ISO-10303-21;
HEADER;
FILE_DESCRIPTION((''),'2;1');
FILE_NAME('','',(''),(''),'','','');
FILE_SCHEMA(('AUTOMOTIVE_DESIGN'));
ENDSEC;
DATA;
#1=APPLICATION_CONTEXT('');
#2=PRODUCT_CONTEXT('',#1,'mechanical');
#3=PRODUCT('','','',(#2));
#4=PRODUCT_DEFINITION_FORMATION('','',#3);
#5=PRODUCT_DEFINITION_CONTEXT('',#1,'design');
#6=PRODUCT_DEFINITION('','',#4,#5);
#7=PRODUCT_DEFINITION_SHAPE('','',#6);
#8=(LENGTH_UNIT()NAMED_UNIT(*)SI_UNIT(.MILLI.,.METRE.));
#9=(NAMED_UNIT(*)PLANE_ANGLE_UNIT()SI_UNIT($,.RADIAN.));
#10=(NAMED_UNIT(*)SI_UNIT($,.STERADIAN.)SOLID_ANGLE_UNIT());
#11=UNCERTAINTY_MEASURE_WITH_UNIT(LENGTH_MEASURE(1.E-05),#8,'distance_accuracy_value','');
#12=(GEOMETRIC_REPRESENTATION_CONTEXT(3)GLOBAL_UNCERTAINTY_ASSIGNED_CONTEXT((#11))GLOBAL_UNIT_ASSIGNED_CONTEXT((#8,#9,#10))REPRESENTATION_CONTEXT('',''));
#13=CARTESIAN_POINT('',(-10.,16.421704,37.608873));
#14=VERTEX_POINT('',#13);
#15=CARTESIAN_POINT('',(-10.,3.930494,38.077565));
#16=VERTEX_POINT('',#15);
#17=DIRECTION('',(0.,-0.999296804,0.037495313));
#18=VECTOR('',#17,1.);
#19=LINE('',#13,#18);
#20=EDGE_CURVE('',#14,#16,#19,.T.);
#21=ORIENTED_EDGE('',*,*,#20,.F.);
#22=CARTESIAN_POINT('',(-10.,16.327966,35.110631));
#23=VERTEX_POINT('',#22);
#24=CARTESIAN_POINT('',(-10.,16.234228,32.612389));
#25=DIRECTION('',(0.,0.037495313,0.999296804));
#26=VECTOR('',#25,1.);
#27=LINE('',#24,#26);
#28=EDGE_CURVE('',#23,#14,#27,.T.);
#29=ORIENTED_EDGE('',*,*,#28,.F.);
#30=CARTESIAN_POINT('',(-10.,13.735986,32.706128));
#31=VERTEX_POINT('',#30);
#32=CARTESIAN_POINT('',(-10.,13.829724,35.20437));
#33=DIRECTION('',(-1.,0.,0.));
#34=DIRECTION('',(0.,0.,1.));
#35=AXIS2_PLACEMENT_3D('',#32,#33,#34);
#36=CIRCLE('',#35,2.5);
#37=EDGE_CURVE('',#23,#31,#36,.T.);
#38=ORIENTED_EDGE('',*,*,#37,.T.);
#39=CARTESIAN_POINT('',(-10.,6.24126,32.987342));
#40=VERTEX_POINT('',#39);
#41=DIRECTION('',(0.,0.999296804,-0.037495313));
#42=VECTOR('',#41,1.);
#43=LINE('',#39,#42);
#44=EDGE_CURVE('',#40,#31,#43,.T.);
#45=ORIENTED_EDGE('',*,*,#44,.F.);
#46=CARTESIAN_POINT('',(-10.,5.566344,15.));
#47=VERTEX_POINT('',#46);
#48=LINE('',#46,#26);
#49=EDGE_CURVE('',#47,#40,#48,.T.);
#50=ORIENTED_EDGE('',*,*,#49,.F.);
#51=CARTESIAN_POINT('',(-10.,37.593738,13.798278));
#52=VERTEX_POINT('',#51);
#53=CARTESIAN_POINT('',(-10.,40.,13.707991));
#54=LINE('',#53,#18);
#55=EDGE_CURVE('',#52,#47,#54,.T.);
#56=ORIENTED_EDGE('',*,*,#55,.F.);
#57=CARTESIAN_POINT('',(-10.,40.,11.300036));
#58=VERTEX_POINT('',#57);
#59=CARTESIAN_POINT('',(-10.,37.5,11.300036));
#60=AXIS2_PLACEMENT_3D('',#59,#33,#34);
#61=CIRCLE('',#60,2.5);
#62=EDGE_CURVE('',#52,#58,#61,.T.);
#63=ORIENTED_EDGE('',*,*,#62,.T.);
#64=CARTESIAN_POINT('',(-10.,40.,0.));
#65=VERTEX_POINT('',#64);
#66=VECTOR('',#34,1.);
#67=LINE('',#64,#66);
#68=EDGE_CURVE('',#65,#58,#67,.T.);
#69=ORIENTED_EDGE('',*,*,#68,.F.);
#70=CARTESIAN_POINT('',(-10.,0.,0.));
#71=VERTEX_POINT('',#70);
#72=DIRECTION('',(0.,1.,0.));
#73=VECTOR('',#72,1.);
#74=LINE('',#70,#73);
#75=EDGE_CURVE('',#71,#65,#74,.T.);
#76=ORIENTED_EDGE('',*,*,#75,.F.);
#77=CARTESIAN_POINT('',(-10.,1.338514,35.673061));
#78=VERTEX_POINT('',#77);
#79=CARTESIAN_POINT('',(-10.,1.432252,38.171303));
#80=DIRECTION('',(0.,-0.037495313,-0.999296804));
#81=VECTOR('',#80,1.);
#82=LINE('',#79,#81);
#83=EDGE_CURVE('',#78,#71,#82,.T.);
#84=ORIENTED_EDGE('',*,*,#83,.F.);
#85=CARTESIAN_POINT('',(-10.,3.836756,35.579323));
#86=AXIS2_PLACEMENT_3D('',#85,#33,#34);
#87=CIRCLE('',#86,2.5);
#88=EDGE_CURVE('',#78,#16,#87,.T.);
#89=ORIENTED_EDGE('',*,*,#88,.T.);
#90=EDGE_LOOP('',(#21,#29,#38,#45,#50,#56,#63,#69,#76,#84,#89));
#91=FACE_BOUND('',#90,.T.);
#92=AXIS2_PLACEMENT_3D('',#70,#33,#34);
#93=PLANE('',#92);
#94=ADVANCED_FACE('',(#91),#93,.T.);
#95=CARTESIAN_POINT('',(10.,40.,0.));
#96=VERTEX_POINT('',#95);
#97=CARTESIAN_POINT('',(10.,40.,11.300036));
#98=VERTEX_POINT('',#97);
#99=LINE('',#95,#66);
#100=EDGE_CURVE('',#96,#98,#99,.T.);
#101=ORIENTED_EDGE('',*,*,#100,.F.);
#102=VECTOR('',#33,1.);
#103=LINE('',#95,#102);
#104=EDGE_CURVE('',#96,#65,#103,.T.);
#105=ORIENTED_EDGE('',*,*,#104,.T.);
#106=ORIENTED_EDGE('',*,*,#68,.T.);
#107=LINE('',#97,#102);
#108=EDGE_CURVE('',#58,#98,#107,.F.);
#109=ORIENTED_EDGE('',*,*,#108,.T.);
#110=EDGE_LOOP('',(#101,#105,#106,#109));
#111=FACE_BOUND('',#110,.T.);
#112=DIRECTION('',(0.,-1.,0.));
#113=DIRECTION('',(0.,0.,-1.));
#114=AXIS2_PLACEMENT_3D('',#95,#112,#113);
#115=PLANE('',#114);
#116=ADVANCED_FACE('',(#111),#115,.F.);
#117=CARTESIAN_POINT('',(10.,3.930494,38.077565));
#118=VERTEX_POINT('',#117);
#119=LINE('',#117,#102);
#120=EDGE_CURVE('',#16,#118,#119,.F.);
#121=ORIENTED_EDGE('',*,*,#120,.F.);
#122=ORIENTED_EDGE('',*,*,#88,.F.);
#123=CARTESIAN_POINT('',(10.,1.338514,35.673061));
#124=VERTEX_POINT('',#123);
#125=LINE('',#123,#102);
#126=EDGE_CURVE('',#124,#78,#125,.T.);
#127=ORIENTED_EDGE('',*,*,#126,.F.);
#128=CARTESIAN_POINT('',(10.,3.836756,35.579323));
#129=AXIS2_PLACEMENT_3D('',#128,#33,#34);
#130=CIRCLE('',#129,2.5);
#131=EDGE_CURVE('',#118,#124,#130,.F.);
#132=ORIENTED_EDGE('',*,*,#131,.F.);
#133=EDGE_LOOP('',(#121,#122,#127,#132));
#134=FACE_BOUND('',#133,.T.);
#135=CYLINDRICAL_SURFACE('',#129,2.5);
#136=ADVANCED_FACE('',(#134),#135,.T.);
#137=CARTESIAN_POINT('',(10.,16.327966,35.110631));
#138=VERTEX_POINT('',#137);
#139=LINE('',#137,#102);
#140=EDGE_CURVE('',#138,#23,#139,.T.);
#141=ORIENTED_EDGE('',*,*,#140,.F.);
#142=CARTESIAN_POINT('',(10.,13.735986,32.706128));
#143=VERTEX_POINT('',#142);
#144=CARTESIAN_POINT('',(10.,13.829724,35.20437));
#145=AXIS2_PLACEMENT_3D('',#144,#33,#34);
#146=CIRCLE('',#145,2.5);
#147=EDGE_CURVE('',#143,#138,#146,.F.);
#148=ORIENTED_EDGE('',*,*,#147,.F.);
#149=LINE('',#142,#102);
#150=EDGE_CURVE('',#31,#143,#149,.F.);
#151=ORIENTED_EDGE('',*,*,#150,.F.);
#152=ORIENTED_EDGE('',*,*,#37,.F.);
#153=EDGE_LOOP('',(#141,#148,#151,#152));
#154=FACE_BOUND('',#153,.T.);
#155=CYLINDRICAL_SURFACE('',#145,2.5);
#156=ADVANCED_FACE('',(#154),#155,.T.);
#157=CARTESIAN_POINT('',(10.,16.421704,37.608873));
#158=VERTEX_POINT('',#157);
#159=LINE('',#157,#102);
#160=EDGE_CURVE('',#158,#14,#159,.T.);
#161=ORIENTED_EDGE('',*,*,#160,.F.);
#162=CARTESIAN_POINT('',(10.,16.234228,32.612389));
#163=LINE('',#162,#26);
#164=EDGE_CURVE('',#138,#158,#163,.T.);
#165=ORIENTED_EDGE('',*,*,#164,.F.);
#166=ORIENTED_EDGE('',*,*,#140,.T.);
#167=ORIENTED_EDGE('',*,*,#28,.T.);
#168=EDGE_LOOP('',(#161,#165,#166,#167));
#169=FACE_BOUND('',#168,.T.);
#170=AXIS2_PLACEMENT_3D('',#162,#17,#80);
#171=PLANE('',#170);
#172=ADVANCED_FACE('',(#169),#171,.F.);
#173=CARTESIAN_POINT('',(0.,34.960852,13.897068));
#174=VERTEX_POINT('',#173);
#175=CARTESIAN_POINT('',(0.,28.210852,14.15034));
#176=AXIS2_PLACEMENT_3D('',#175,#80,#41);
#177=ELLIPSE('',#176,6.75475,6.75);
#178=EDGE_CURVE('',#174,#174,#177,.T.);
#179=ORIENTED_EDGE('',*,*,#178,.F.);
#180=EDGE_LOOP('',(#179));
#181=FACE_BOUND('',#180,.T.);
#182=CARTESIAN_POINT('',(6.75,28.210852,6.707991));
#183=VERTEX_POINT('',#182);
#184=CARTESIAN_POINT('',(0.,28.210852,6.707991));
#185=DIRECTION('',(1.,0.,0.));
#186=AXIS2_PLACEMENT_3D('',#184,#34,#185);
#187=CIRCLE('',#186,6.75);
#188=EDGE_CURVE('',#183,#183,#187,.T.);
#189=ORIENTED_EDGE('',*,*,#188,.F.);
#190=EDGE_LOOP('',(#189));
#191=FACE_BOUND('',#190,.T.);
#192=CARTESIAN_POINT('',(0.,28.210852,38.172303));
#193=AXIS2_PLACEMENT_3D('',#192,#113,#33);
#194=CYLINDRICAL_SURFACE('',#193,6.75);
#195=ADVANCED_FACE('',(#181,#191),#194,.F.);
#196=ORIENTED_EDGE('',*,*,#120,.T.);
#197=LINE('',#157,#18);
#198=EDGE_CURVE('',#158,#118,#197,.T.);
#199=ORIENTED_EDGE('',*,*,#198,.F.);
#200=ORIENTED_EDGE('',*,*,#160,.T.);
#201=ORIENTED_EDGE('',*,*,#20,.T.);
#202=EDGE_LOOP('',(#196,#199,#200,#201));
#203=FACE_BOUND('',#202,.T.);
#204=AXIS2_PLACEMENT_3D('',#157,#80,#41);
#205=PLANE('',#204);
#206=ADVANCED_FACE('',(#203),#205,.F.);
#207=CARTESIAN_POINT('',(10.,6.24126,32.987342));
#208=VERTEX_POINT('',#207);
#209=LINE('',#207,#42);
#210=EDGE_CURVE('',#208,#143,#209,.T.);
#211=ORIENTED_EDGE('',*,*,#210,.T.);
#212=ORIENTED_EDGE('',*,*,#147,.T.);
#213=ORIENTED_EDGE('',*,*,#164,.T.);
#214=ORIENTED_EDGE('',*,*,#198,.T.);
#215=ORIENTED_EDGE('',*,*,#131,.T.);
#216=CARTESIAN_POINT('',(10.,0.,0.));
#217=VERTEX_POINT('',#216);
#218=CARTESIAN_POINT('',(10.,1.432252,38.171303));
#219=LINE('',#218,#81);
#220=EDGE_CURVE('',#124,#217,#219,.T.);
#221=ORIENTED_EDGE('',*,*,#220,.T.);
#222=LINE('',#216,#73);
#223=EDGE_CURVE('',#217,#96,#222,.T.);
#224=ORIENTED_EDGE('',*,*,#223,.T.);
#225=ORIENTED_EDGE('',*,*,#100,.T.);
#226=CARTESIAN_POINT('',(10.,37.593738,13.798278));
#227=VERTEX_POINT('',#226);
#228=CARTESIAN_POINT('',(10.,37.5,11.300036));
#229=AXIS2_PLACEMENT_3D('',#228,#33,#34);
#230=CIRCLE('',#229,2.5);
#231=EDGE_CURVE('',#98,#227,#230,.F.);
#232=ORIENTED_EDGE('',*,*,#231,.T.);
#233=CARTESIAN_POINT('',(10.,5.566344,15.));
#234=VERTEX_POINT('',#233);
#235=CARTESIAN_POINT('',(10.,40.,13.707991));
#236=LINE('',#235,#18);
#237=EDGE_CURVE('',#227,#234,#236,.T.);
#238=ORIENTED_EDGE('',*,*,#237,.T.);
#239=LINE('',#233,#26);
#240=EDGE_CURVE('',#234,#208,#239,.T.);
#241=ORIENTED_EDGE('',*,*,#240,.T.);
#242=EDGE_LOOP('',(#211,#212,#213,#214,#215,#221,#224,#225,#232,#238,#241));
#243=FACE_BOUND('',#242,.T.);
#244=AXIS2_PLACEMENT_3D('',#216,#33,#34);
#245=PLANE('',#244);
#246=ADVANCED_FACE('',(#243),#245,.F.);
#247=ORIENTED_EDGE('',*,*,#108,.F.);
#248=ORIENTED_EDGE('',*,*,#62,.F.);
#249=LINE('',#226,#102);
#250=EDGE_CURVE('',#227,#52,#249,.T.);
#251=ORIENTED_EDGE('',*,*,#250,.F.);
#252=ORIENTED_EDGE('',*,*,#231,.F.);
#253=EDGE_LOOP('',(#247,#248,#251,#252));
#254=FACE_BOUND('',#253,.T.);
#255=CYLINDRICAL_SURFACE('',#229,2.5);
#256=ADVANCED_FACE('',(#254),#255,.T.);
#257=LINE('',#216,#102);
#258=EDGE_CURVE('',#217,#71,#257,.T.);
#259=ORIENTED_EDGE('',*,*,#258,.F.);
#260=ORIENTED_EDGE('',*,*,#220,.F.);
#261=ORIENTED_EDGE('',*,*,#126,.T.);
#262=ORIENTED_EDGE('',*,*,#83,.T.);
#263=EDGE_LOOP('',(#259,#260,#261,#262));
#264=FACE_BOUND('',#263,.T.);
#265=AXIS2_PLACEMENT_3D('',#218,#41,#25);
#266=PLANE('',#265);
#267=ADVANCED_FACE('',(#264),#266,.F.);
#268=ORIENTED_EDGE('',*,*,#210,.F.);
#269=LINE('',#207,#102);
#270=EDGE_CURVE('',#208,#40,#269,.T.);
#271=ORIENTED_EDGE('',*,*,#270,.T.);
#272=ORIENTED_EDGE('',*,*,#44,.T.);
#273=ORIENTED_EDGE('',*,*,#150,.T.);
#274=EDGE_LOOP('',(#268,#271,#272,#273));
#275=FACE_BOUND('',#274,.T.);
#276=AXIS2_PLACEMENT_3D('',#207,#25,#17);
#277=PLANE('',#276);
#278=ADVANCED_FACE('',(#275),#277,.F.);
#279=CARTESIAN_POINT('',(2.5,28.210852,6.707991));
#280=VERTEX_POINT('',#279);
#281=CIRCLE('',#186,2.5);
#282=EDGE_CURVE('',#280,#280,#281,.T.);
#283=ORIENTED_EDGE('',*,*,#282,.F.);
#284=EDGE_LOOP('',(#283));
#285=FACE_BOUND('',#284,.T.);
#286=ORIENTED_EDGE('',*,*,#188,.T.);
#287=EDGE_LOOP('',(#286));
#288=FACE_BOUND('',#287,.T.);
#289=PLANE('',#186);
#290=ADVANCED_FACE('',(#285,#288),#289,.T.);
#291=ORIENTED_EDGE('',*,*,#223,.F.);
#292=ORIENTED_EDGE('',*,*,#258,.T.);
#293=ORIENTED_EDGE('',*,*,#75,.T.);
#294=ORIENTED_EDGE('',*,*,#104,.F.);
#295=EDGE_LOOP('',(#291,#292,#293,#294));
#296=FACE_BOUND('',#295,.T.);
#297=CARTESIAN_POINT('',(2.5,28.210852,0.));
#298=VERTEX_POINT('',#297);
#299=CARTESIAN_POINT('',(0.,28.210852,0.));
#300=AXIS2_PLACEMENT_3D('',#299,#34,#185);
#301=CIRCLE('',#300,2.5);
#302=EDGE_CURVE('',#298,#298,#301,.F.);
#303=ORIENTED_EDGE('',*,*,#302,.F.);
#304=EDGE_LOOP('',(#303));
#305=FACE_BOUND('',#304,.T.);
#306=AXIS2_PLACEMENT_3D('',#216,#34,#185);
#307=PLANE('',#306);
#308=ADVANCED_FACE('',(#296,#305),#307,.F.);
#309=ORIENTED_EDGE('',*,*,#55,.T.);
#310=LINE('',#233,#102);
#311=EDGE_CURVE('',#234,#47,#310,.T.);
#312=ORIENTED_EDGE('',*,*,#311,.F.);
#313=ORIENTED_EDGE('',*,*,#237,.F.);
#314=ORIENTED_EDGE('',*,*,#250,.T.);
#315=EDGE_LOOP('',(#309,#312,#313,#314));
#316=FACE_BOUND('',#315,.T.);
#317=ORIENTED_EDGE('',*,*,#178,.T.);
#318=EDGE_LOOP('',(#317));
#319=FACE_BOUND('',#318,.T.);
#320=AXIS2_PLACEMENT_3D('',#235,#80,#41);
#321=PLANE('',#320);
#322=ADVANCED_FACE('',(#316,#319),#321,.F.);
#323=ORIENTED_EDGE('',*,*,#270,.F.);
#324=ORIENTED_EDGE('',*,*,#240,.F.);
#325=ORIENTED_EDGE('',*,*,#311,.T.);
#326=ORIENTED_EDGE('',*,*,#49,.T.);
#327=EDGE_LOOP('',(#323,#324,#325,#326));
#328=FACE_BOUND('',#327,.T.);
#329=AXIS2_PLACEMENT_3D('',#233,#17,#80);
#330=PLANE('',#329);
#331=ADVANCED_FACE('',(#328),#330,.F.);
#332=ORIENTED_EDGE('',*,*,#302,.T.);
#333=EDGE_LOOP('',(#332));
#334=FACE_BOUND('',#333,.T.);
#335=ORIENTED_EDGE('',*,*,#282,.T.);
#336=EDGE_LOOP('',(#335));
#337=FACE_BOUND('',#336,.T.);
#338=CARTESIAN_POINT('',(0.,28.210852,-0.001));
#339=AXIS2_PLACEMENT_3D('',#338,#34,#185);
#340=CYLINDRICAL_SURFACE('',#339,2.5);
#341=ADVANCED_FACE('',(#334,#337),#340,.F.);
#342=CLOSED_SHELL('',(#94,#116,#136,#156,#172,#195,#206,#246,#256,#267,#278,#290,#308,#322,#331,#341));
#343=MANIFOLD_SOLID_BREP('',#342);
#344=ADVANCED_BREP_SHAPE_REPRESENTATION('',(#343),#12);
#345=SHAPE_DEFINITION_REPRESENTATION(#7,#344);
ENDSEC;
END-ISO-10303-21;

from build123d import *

# Parameters (mm, degrees)
BOSS_EXTRUDE1_DEPTH            = 10
SKETCH5_R                      = 6.75
CUT_EXTRUDE1_DEPTH             = 7
CUT_EXTRUDE1_DIRECTION_2_REACH = 26.463
CUT_EXTRUDE2_REACH             = 8.708
SKETCH6_R                      = 2.5
FILLET1_R                      = 2.5


with BuildPart() as part:
    # Sketch4 → Boss-Extrude1 (new body, symmetric)
    with BuildSketch(Plane(origin=(0, 0, 0), x_dir=(0, 0, -1), z_dir=(1, 0, 0))):
        Polygon((0, 0), (0, 40), (-13.707990749, 40), (-15, 5.56634393), (-32.987342463, 6.241259565), (-32.612389332, 16.2342276), (-37.60887335, 16.421704166), (-38.171303046, 1.432252113), align=None)
    extrude(amount=BOSS_EXTRUDE1_DEPTH, both=True)

    # Sketch5 → Cut-Extrude1 (cut)
    with BuildSketch(Plane.XY.offset(13.707990749)):
        with Locations((0, 28.210852083)):
            Circle(SKETCH5_R)
    extrude(amount=-CUT_EXTRUDE1_DEPTH, mode=Mode.SUBTRACT)

    # Sketch5 → Cut-Extrude1 direction 2 (cut, up to next)
    with BuildSketch(Plane.XY.offset(13.707990749), mode=Mode.PRIVATE) as cut_extrude1_direction_2_sk1:
        with Locations((0, 28.210852083)):
            Circle(SKETCH5_R)
    cut_extrude1_direction_2_tool1 = extrude(cut_extrude1_direction_2_sk1.sketch, amount=CUT_EXTRUDE1_DIRECTION_2_REACH, mode=Mode.PRIVATE) & part.part
    add(cut_extrude1_direction_2_tool1.solids().sort_by_distance((0, 28.210852, 13.707991))[0], mode=Mode.SUBTRACT)

    # Sketch6 → Cut-Extrude2 (cut, up to next)
    with BuildSketch(Plane.XY.offset(6.707990749), mode=Mode.PRIVATE) as cut_extrude2_sk1:
        with Locations((0, 28.210852083)):
            Circle(SKETCH6_R)
    cut_extrude2_tool1 = extrude(cut_extrude2_sk1.sketch, amount=-CUT_EXTRUDE2_REACH, mode=Mode.PRIVATE) & part.part
    add(cut_extrude2_tool1.solids().sort_by_distance((0, 28.210852, 6.707991))[0], mode=Mode.SUBTRACT)

    # Fillet1
    fillet1_edges = [part.edges().sort_by_distance(p)[0] for p in [
        (0, 1.432252113, 38.171303046),
        (0, 16.2342276, 32.612389332),
        (0, 40, 13.707990749),
    ]]
    fillet(fillet1_edges, radius=FILLET1_R)


solid = part.part
